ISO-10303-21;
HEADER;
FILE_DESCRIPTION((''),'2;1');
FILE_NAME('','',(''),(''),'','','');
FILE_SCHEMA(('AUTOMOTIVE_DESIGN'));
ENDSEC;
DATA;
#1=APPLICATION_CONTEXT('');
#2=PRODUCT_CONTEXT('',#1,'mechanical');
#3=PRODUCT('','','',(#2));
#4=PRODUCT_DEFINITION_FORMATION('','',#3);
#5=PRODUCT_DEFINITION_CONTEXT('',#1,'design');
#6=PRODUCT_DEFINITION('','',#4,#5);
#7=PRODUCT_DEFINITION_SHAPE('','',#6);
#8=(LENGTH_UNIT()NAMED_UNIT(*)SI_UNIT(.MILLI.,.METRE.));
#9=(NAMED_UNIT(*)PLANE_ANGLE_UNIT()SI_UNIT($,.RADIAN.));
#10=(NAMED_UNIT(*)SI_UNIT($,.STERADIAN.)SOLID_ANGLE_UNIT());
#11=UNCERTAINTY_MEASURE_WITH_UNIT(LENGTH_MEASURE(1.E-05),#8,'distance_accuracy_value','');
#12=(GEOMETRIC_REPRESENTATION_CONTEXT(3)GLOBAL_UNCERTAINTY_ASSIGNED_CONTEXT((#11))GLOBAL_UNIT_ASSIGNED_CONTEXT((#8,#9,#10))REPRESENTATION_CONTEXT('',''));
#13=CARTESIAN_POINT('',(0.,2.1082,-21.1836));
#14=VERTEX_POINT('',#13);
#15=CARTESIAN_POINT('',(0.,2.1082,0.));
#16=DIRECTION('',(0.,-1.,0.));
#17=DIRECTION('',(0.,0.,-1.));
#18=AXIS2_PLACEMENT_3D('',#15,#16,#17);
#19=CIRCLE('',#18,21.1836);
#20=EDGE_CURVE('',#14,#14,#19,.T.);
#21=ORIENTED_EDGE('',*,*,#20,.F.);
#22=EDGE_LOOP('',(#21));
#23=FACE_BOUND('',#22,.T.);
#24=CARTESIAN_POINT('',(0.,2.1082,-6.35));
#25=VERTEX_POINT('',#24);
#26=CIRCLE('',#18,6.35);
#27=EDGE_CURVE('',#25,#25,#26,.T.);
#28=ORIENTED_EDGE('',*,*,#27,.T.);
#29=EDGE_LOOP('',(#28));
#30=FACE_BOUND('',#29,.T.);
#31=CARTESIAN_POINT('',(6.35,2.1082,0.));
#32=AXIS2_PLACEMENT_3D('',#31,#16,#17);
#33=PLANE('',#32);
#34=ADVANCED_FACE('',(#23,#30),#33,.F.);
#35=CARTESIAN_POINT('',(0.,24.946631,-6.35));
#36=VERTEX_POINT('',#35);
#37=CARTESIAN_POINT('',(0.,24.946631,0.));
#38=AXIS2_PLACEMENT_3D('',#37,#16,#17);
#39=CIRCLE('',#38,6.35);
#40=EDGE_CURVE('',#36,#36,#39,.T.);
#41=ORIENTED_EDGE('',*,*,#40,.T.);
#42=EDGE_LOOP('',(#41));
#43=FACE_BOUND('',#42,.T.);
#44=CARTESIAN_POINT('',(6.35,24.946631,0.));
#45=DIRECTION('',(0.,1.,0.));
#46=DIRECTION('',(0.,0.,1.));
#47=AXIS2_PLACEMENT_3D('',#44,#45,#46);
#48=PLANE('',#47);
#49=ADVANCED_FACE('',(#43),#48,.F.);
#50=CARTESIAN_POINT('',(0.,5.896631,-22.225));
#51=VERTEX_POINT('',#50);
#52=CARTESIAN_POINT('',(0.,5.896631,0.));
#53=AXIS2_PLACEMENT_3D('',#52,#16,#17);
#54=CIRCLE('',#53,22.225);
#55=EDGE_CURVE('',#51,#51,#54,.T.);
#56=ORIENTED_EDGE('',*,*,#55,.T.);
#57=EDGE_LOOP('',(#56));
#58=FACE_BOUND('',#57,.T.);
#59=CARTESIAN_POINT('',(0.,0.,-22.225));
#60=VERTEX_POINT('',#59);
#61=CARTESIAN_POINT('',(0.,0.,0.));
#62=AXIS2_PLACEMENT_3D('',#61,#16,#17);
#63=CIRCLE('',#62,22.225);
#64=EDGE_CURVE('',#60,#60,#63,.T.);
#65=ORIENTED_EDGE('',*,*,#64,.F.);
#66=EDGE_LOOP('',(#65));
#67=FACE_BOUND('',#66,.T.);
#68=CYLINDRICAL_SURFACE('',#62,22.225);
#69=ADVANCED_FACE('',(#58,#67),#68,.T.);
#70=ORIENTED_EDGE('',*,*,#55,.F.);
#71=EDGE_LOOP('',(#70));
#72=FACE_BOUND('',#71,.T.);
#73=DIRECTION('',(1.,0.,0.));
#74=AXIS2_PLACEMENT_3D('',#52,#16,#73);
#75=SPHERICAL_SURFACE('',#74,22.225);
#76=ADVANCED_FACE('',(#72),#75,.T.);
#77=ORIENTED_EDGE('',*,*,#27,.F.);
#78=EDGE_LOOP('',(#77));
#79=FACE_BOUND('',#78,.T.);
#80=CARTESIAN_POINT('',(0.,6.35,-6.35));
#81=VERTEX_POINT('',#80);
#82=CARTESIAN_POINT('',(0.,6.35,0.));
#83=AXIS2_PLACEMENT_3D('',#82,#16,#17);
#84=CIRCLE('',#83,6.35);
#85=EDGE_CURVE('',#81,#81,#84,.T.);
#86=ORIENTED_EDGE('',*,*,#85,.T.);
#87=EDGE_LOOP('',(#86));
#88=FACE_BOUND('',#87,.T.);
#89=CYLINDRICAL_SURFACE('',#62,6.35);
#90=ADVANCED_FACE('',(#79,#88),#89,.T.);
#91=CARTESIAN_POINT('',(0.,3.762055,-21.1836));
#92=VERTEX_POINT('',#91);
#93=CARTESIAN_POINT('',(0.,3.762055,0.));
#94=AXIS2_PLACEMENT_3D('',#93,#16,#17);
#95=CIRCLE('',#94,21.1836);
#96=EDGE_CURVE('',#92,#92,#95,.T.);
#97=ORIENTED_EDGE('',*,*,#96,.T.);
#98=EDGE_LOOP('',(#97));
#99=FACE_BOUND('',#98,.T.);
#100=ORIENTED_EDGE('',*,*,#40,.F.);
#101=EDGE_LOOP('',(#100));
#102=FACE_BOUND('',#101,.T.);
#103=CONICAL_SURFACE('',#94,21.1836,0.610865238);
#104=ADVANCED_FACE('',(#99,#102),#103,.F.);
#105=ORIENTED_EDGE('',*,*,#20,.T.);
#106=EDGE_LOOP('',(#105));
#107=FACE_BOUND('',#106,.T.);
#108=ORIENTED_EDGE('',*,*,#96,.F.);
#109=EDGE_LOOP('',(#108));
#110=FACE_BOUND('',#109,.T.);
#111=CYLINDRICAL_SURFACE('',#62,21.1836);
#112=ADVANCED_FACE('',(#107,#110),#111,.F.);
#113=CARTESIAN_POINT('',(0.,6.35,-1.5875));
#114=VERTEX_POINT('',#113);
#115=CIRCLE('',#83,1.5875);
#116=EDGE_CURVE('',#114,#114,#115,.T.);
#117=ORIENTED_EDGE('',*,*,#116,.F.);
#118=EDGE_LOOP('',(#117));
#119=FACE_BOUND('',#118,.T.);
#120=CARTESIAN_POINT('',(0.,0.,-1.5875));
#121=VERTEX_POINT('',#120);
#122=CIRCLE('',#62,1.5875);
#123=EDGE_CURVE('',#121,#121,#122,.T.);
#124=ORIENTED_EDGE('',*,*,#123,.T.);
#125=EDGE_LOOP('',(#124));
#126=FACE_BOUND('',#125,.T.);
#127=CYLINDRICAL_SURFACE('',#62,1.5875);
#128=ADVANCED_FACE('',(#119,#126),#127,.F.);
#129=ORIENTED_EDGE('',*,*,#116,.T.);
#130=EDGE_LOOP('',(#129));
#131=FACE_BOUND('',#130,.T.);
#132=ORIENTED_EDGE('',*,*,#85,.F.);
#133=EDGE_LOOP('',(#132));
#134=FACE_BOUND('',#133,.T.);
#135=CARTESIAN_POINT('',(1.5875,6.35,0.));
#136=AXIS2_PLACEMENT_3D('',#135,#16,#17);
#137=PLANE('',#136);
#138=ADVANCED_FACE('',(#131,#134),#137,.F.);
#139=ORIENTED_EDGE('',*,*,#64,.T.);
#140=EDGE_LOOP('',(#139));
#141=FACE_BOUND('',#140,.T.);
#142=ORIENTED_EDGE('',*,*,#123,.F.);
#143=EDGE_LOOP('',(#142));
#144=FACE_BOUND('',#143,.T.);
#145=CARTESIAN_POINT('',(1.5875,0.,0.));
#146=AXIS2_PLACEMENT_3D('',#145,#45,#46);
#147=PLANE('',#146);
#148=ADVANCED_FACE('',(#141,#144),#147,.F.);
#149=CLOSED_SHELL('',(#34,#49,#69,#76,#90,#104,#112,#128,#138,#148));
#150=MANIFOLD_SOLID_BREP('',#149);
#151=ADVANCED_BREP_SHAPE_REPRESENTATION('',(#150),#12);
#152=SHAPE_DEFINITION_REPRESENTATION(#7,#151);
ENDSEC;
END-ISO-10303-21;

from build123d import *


with BuildPart() as part:
    # Sketch1 → Revolve1 (revolve)
    with BuildSketch(Plane.XY):
        with BuildLine():
            Line((-1.5875, 0), (-22.225, 0))
            Line((-22.225, 0), (-22.225, 5.896631452))
            ThreePointArc((-22.225, 5.896631452), (-15.715448212, 21.612079664), (0, 28.121631452))
            Line((0, 28.121631452), (0, 24.946631452))
            Line((0, 24.946631452), (-6.35, 24.946631452))
            Line((-6.35, 24.946631452), (-21.1836, 3.76205518))
            Line((-21.1836, 3.76205518), (-21.1836, 2.1082))
            Line((-21.1836, 2.1082), (-6.35, 2.1082))
            Line((-6.35, 2.1082), (-6.35, 6.35))
            Line((-6.35, 6.35), (-1.5875, 6.35))
            Line((-1.5875, 6.35), (-1.5875, 2.1082))
            Line((-1.5875, 2.1082), (-1.5875, 0))
        make_face()
    revolve(axis=Axis((0, 0, 0), (0, 1, 0)))


solid = part.part
